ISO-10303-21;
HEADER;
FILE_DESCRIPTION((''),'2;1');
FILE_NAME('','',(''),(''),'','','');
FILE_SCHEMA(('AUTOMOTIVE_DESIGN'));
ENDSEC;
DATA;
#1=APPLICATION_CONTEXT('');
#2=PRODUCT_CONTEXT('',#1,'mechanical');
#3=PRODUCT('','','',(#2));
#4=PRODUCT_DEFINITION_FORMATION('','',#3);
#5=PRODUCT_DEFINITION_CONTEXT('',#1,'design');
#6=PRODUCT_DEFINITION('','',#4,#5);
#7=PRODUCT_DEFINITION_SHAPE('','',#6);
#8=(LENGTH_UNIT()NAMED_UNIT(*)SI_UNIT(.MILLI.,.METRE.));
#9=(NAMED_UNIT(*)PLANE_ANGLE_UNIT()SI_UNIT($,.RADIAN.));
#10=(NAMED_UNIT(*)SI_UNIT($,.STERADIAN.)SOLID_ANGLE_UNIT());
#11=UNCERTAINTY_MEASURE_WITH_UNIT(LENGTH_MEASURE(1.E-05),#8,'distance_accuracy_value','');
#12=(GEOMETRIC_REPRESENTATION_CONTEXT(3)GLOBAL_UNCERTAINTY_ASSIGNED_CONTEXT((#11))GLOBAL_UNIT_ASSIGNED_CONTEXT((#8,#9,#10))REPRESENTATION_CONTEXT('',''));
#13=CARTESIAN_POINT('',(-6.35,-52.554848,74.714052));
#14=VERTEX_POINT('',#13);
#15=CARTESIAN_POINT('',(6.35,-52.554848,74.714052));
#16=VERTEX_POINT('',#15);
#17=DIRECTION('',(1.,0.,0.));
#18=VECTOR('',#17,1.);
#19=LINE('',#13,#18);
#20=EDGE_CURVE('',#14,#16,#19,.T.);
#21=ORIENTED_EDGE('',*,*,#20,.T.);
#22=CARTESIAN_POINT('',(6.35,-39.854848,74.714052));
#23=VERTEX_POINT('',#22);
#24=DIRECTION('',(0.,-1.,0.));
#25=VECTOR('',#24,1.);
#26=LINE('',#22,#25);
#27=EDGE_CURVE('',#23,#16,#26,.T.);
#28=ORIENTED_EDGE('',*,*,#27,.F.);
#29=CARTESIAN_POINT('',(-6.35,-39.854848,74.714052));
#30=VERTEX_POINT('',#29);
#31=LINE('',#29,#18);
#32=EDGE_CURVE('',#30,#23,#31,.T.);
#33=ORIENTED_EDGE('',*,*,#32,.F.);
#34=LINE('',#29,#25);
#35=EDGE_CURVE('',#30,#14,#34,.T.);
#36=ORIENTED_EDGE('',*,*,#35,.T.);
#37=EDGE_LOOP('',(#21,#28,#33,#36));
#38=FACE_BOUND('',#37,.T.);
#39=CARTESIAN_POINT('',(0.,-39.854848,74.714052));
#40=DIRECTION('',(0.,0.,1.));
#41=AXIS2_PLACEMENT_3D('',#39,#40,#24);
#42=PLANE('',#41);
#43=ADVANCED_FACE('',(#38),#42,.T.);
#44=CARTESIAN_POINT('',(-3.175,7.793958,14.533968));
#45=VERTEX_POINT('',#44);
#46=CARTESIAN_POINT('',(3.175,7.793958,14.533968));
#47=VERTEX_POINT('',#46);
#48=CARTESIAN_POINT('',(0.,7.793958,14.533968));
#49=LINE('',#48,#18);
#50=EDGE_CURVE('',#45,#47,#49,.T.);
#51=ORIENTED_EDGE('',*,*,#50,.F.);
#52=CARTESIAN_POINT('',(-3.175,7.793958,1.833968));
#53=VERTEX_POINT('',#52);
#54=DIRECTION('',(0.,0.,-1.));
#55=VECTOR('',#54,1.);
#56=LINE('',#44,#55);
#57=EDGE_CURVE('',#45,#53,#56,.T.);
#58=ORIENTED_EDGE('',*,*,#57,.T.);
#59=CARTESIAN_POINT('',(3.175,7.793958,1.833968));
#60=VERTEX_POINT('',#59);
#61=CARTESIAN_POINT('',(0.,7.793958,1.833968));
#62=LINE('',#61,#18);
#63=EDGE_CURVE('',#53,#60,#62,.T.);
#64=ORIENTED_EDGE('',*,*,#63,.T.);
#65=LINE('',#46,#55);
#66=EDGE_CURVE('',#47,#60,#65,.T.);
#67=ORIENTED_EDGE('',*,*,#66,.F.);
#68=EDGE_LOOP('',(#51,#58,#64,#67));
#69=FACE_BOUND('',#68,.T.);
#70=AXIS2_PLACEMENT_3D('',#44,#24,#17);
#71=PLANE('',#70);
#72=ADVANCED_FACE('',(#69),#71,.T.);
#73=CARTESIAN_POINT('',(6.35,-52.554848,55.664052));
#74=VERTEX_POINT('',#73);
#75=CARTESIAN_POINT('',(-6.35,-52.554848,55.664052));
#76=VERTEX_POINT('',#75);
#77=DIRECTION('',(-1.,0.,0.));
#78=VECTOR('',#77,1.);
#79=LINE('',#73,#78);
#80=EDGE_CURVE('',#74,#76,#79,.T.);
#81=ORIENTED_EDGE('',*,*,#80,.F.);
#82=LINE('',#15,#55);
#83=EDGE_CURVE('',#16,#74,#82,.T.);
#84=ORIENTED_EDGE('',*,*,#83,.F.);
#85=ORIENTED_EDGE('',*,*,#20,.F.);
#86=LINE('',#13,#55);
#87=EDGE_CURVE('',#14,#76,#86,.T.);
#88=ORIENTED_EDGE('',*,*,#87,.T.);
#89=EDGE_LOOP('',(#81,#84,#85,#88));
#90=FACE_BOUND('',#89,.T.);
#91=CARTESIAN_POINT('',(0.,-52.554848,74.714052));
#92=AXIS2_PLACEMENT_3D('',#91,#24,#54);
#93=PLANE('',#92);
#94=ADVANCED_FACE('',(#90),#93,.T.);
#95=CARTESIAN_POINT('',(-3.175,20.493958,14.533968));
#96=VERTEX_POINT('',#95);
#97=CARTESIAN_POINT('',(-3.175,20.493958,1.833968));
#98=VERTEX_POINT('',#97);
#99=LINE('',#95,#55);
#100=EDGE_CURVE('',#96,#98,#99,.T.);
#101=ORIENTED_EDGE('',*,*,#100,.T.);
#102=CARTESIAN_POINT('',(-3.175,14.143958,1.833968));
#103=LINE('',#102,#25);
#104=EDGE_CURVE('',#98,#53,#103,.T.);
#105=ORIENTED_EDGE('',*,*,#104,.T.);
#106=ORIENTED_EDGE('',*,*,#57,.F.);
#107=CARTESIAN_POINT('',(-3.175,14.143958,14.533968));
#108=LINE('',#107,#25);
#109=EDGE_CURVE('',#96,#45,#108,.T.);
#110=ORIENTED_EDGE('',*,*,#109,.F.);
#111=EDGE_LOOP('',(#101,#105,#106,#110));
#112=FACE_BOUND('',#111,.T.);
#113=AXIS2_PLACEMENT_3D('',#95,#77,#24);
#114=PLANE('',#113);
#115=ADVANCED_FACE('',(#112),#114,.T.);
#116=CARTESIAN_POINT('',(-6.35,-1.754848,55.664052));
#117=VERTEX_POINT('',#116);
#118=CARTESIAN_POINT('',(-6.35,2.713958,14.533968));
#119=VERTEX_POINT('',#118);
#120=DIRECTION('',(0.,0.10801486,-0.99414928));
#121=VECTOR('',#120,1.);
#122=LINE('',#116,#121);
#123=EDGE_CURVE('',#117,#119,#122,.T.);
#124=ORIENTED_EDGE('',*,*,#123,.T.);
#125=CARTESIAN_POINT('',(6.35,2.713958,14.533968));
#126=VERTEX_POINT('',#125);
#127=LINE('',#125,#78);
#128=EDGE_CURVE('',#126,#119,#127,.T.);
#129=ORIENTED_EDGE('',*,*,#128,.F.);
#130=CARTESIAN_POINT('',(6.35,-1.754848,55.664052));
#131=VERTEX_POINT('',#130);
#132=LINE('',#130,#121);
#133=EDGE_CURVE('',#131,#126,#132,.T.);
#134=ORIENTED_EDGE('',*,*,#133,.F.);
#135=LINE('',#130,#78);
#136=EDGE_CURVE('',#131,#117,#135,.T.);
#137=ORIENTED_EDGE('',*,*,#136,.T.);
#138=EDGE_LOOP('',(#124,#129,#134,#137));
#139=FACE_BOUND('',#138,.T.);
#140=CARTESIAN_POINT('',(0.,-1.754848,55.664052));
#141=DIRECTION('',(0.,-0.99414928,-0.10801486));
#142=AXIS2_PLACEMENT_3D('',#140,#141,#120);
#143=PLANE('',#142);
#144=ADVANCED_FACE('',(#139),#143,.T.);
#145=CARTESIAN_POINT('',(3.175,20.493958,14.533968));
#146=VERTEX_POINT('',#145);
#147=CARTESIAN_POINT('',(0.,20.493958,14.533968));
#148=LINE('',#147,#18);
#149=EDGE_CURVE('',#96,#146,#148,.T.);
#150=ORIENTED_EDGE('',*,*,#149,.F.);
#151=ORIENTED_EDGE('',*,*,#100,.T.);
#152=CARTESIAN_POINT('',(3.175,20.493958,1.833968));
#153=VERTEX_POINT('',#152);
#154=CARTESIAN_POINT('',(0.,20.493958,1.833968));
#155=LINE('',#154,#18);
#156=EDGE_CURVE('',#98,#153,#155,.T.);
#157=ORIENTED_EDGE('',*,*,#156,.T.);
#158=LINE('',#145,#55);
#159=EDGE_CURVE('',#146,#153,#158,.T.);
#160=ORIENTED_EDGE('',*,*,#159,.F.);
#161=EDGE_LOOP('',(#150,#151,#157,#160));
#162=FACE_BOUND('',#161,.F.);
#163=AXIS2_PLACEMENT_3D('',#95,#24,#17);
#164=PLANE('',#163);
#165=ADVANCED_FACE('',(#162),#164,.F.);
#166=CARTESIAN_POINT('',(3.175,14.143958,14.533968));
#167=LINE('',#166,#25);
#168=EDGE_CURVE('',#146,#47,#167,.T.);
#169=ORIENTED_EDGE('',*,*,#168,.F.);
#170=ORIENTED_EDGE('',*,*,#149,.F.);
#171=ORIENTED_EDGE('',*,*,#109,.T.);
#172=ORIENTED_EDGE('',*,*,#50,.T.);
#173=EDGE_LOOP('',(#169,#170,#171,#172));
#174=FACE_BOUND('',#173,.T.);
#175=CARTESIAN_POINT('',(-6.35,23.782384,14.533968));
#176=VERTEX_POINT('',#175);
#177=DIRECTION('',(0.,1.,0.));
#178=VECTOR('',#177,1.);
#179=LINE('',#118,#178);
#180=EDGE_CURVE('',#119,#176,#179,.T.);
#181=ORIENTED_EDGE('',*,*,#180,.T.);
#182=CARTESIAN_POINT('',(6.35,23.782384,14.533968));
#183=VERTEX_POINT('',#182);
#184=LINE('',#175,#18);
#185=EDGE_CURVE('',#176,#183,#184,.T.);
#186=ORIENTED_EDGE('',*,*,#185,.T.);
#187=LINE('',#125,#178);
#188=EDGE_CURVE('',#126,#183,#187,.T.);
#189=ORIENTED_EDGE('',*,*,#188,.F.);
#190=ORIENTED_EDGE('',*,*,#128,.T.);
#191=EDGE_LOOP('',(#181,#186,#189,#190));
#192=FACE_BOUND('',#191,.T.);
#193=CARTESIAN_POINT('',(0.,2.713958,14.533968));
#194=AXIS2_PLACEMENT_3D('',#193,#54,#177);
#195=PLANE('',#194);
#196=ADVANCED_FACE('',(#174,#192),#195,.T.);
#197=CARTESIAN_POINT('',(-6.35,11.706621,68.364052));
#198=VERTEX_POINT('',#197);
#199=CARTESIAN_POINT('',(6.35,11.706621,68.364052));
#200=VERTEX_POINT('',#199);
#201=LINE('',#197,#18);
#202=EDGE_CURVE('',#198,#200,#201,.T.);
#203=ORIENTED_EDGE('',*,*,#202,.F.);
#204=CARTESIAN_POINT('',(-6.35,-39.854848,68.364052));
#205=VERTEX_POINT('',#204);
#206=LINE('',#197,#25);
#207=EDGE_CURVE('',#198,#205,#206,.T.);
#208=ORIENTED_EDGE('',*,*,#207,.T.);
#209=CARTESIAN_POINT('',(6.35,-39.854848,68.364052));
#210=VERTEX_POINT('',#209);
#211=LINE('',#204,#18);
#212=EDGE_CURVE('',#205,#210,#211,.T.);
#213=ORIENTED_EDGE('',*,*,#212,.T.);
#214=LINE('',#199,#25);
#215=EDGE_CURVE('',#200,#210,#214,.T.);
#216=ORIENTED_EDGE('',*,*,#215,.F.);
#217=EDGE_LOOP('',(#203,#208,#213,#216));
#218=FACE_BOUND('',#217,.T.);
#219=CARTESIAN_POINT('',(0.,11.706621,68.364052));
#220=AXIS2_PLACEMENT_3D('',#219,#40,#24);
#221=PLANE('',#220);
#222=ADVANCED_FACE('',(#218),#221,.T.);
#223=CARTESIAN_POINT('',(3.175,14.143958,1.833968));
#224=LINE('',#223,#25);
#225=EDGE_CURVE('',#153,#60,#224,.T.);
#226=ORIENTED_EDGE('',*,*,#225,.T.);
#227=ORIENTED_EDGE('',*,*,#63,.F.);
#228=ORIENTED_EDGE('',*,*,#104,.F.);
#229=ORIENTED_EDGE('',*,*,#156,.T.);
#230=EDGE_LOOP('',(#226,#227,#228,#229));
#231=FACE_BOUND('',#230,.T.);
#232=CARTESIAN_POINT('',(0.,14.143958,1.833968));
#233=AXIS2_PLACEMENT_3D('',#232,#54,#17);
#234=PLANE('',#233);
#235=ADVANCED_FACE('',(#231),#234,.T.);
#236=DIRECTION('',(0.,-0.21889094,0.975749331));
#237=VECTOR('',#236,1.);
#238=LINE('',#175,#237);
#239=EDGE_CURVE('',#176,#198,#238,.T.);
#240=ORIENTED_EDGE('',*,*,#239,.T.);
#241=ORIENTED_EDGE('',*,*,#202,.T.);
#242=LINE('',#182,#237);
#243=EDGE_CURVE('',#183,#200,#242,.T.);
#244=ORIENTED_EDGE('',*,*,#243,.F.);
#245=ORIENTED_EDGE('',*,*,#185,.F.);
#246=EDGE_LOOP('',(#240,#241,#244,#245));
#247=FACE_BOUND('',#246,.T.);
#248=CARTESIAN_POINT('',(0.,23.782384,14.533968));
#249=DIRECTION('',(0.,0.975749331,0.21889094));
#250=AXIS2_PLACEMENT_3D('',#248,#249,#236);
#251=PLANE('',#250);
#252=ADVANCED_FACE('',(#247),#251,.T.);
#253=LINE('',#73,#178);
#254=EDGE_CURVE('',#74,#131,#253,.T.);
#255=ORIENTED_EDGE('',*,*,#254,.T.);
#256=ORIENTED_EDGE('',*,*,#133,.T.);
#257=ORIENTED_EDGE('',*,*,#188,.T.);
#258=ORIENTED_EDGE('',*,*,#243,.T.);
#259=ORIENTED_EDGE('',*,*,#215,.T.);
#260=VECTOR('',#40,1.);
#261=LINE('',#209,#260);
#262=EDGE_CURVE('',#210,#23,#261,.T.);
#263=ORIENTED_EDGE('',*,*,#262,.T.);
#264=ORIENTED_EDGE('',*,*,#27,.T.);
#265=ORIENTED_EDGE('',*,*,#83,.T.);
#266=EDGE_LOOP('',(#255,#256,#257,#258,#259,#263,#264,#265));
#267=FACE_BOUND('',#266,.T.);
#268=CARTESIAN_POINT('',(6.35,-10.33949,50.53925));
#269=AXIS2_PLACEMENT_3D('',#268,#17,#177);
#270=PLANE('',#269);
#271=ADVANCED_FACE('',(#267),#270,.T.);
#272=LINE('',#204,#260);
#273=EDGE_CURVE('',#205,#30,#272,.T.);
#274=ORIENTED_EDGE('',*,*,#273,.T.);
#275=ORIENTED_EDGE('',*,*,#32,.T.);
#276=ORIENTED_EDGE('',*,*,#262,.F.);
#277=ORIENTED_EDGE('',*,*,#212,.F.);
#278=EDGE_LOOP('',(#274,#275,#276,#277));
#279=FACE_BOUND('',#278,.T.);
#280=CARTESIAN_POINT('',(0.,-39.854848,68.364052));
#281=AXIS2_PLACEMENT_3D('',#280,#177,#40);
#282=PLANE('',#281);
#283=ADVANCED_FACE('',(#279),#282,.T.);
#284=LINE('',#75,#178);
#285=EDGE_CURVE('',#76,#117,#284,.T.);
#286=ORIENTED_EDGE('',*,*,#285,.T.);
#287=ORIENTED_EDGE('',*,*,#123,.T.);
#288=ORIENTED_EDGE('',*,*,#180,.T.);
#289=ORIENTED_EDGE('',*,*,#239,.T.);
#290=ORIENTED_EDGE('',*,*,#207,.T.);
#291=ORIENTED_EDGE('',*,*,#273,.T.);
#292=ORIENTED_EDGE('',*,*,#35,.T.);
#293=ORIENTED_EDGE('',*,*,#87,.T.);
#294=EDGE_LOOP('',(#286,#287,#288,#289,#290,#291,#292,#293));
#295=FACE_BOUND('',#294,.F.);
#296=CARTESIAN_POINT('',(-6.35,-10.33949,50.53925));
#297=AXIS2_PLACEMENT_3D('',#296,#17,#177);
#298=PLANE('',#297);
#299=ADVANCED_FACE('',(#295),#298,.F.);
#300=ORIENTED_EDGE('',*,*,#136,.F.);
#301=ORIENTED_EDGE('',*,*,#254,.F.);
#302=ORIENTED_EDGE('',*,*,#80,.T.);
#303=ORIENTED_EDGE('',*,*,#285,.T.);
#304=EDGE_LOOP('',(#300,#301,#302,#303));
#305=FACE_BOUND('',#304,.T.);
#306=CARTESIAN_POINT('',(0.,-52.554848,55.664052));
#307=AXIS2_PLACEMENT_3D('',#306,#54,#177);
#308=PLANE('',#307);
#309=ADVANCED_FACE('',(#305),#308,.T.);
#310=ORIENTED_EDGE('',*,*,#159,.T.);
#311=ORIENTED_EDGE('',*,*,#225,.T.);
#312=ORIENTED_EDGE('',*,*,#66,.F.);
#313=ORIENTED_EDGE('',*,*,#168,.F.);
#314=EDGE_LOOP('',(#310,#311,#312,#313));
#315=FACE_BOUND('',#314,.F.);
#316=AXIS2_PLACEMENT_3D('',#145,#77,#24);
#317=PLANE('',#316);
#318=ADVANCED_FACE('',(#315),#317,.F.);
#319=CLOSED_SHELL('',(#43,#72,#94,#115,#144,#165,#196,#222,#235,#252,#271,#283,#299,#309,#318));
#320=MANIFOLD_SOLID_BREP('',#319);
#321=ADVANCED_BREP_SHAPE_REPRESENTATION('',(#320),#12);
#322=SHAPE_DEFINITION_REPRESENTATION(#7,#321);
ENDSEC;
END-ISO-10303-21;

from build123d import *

# Parameters (mm, degrees)
F1_DEPTH = 6.35
F2_W     = 6.35
F2_H     = 12.7
F3_DEPTH = 12.7


with BuildPart() as f1:
    # F0 (on Right) → F1 (new body, symmetric)
    with BuildSketch(Plane.YZ):
        Polygon((2.713958, 14.533968), (23.782384, 14.533968), (11.706621, 68.364052), (-39.854848, 68.364052), (-39.854848, 74.714052), (-52.554848, 74.714052), (-52.554848, 55.664052), (-1.754848, 55.664052), align=None)
    extrude(amount=F1_DEPTH, both=True)

    # F2 (on face) → F3 (join)
    with BuildSketch(Plane(origin=(0, 0, 14.533968), x_dir=(1, 0, 0), z_dir=(0, 0, -1))):
        with Locations((0, -14.143958)):
            Rectangle(F2_W, F2_H)
    extrude(amount=F3_DEPTH)


solid = f1.part
